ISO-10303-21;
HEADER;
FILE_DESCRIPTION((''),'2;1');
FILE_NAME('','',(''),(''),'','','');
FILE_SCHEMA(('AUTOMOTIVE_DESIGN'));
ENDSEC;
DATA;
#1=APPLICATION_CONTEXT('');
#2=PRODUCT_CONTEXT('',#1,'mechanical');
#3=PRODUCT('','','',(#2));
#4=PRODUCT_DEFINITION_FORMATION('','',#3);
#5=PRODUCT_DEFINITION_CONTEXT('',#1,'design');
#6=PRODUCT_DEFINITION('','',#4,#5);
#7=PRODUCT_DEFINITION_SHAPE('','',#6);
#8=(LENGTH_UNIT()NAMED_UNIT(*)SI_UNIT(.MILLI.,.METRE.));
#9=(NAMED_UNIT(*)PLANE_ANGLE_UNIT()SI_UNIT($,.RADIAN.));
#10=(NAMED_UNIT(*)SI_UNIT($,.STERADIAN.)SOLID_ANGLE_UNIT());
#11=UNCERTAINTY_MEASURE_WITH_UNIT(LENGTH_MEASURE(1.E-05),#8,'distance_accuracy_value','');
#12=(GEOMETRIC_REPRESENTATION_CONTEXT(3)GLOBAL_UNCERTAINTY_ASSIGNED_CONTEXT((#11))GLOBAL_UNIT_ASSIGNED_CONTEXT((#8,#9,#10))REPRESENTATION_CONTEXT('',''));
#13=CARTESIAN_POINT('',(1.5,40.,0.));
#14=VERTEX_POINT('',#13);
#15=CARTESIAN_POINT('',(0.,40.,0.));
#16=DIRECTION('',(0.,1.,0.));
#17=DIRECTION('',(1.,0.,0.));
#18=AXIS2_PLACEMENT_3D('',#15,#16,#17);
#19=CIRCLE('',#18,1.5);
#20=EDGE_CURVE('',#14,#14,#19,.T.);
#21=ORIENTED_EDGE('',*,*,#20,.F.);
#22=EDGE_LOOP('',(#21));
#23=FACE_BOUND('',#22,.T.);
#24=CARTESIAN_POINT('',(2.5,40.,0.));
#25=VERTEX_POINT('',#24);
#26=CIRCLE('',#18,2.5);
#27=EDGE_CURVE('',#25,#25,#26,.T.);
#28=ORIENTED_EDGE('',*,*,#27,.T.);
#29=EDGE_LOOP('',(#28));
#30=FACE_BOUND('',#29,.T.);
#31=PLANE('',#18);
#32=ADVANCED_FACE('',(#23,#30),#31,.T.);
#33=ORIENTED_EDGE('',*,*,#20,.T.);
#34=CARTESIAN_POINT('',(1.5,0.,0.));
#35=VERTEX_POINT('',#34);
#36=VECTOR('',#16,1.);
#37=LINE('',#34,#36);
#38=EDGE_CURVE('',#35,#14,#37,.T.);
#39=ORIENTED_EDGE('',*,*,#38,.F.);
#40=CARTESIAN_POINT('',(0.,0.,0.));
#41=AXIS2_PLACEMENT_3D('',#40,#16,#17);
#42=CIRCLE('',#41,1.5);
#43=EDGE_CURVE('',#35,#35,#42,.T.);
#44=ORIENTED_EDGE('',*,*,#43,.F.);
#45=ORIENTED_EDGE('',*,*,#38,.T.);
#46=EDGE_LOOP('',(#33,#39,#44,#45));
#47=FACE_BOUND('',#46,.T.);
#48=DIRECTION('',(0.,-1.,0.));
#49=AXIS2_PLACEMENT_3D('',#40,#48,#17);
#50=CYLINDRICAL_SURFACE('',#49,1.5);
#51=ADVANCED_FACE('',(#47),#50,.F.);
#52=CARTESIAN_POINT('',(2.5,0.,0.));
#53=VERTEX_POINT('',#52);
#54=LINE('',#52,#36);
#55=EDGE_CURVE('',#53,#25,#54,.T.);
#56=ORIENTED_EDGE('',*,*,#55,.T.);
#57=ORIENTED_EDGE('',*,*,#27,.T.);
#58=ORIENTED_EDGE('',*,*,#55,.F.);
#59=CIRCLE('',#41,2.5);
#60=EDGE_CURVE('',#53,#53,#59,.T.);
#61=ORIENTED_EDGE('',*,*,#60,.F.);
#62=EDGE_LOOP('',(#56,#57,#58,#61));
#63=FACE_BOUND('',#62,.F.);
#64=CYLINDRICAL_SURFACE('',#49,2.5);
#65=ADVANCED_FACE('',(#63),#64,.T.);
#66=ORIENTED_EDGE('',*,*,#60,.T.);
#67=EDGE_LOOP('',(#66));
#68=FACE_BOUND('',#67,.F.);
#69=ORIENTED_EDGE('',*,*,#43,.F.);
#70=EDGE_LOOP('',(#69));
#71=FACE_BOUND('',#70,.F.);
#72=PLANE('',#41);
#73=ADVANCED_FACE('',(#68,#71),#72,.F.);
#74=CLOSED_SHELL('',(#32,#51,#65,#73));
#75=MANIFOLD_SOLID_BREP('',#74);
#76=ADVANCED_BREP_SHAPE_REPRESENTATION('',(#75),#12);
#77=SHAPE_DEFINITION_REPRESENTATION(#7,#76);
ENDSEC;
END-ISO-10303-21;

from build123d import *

# Parameters (mm, degrees)
SKETCH1_R           = 2.5
SKETCH1_R_2         = 1.5
BOSS_EXTRUDE1_DEPTH = 40


with BuildPart() as part:
    # Sketch1 → Boss-Extrude1 (new body)
    with BuildSketch(Plane(origin=(0, 0, 0), x_dir=(1, 0, 0), z_dir=(0, 1, 0))):
        Circle(SKETCH1_R)
        Circle(SKETCH1_R_2, mode=Mode.SUBTRACT)
    extrude(amount=BOSS_EXTRUDE1_DEPTH)


solid = part.part
